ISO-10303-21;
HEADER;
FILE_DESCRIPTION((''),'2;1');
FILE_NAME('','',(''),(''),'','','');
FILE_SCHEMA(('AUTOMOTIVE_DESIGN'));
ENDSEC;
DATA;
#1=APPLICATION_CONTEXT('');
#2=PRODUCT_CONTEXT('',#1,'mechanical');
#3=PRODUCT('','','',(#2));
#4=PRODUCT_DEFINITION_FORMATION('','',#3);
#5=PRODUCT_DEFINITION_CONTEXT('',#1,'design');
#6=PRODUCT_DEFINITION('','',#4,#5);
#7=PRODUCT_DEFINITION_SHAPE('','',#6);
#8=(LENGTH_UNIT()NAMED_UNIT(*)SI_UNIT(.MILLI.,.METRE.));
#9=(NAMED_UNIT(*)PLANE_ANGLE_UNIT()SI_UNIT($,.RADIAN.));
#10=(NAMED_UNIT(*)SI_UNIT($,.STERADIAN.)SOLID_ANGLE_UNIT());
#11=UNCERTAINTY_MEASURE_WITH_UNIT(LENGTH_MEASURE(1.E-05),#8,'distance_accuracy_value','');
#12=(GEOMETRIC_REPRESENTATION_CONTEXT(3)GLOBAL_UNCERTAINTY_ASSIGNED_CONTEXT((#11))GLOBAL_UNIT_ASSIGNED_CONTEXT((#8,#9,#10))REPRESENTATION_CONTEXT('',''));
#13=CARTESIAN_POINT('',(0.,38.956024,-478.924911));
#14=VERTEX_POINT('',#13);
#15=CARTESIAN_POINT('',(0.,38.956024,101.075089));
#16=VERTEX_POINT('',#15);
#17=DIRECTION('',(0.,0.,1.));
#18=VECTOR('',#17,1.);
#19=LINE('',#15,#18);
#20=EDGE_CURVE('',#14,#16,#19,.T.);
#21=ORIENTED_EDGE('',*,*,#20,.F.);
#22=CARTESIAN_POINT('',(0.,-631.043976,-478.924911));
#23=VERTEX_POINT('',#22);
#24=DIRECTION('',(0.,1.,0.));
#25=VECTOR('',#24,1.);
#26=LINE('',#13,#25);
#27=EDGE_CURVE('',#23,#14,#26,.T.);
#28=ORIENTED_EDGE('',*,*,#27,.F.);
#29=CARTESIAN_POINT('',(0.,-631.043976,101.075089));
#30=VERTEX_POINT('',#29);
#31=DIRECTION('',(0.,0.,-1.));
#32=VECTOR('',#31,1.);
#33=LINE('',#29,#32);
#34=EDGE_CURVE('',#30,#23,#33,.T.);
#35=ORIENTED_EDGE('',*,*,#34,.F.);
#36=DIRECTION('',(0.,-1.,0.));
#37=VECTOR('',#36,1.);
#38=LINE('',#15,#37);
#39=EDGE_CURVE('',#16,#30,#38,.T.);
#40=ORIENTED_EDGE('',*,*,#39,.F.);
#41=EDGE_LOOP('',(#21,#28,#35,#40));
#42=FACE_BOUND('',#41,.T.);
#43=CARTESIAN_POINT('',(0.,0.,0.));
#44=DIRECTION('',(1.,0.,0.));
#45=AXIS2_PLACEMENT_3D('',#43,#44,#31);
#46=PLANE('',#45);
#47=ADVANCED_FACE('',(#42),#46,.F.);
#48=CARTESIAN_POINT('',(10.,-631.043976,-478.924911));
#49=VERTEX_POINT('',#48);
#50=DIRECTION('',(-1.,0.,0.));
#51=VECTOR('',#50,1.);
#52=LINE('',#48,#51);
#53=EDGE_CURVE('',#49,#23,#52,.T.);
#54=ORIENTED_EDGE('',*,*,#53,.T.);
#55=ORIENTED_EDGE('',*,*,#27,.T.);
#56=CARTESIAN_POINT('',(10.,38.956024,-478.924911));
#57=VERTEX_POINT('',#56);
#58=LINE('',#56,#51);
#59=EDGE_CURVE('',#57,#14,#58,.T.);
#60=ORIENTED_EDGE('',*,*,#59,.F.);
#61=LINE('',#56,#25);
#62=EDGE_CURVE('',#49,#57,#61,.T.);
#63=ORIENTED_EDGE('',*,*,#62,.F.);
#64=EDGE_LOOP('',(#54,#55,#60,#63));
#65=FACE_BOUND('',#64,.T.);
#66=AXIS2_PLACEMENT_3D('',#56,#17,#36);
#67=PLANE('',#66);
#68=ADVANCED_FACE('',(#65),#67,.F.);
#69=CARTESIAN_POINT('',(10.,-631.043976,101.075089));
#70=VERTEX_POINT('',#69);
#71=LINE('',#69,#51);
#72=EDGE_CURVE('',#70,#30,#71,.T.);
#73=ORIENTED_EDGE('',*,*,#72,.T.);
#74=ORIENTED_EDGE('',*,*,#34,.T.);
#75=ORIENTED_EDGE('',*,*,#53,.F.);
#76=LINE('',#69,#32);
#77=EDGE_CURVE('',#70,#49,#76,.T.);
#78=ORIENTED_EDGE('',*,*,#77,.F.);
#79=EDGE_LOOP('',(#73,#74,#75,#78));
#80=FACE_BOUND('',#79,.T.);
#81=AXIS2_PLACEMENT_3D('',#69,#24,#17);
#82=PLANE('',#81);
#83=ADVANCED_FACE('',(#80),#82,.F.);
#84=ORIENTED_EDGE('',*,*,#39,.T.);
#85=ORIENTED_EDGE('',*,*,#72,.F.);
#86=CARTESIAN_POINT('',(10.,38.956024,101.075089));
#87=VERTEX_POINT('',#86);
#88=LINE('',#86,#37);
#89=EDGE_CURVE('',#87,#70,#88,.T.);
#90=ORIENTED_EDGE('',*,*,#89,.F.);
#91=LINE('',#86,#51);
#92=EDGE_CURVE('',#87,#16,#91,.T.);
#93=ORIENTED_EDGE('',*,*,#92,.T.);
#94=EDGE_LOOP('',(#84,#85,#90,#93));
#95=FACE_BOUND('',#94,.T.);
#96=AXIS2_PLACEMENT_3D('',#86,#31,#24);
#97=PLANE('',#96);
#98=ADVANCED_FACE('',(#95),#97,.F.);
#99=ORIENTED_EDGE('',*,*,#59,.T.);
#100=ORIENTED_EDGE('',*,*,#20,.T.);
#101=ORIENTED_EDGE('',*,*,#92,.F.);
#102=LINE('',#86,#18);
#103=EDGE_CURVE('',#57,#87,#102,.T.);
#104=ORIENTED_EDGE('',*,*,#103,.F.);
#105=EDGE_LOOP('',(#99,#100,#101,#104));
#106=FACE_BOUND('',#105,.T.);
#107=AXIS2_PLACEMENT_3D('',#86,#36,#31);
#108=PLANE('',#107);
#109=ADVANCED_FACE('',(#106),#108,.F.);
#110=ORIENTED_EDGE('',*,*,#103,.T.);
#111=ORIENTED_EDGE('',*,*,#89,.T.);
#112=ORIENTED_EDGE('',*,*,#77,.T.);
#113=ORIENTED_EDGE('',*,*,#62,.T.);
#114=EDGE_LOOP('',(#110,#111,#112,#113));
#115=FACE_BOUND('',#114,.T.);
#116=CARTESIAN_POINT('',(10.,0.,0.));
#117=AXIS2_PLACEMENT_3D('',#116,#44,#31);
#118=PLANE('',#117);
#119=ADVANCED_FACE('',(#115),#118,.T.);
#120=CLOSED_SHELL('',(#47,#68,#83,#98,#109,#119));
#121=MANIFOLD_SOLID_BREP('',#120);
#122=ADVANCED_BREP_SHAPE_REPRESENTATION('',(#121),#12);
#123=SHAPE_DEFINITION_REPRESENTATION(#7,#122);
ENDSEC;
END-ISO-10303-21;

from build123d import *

# Parameters (mm, degrees)
ESQUISSE1_W        = 580
ESQUISSE1_H        = 670
BOSS_EXTRU_1_DEPTH = 10


with BuildPart() as part:
    # Esquisse1 → Boss.-Extru.1 (new body)
    with BuildSketch(Plane(origin=(0, 0, 0), x_dir=(0, 0, -1), z_dir=(1, 0, 0))):
        with Locations((188.924911197, -296.04397619)):
            Rectangle(ESQUISSE1_W, ESQUISSE1_H)
    extrude(amount=BOSS_EXTRU_1_DEPTH)


solid = part.part
